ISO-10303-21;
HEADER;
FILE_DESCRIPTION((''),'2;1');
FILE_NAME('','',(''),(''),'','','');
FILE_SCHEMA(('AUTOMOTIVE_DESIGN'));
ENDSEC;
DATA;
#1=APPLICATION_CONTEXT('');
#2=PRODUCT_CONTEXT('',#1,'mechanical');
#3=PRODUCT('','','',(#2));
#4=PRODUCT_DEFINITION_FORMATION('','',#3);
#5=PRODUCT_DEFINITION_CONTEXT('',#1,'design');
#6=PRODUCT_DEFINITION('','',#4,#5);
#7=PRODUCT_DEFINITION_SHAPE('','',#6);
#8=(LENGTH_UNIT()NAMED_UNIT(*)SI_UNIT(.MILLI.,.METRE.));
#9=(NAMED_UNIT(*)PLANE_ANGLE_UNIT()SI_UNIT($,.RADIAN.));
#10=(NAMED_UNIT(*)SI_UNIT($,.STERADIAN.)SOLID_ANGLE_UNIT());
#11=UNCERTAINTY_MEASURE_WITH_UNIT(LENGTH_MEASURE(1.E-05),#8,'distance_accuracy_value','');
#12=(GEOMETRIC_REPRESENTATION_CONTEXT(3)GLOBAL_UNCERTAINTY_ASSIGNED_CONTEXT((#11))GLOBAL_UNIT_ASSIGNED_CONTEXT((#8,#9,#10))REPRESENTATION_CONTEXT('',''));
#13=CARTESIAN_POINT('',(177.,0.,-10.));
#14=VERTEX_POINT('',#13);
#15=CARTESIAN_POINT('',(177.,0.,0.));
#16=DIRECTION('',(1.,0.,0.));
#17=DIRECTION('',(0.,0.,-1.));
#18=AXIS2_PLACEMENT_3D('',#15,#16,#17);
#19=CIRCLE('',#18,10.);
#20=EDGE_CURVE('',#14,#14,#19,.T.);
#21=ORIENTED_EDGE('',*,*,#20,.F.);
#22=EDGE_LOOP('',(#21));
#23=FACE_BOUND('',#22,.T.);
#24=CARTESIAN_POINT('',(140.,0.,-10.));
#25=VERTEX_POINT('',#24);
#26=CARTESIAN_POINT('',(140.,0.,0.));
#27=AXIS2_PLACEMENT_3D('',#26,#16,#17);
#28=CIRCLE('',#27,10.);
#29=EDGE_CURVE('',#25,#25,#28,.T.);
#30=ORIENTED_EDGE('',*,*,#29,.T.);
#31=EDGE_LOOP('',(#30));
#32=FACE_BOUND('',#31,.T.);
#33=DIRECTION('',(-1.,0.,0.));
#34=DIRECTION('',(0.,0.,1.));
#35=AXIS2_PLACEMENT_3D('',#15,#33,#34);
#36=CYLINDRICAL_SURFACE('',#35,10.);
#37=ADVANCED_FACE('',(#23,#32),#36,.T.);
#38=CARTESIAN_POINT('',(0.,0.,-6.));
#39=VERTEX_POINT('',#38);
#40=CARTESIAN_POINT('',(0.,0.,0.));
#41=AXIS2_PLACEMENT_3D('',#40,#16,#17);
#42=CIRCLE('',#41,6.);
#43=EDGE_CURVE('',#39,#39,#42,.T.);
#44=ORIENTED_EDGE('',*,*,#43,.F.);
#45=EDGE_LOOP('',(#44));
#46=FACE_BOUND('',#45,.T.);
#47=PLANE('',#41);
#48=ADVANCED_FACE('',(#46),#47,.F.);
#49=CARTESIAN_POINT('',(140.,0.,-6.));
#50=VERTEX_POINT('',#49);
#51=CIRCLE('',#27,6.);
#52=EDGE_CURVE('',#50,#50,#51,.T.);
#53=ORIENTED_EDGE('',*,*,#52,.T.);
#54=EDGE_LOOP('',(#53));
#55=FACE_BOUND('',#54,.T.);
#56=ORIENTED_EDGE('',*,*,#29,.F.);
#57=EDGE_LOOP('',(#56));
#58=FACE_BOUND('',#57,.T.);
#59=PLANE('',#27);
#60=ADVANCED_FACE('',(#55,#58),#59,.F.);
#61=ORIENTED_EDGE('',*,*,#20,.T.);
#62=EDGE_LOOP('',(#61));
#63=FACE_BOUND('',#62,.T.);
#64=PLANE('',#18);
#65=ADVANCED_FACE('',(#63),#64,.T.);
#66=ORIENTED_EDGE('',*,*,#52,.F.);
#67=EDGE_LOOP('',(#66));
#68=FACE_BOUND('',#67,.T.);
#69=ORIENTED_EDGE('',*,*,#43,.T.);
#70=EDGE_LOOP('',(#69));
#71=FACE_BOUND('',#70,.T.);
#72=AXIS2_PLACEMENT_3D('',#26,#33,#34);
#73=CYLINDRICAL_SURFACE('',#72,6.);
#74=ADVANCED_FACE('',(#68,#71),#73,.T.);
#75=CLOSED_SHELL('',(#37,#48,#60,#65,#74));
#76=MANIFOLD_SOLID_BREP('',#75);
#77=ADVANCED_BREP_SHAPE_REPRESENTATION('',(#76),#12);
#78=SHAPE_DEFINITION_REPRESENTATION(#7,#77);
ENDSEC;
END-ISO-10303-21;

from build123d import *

# Parameters (mm, degrees)
SKETCH1_R           = 6
BOSS_EXTRUDE1_DEPTH = 140
SKETCH2_R           = 10
BOSS_EXTRUDE2_DEPTH = 37


with BuildPart() as part:
    # Sketch1 → Boss-Extrude1 (new body)
    with BuildSketch(Plane(origin=(0, 0, 0), x_dir=(0, 0, -1), z_dir=(1, 0, 0))):
        Circle(SKETCH1_R)
    extrude(amount=BOSS_EXTRUDE1_DEPTH)

    # Sketch2 → Boss-Extrude2 (add)
    with BuildSketch(Plane(origin=(140, 0, 0), x_dir=(0, 0, -1), z_dir=(1, 0, 0))):
        Circle(SKETCH2_R)
    extrude(amount=BOSS_EXTRUDE2_DEPTH)


solid = part.part
